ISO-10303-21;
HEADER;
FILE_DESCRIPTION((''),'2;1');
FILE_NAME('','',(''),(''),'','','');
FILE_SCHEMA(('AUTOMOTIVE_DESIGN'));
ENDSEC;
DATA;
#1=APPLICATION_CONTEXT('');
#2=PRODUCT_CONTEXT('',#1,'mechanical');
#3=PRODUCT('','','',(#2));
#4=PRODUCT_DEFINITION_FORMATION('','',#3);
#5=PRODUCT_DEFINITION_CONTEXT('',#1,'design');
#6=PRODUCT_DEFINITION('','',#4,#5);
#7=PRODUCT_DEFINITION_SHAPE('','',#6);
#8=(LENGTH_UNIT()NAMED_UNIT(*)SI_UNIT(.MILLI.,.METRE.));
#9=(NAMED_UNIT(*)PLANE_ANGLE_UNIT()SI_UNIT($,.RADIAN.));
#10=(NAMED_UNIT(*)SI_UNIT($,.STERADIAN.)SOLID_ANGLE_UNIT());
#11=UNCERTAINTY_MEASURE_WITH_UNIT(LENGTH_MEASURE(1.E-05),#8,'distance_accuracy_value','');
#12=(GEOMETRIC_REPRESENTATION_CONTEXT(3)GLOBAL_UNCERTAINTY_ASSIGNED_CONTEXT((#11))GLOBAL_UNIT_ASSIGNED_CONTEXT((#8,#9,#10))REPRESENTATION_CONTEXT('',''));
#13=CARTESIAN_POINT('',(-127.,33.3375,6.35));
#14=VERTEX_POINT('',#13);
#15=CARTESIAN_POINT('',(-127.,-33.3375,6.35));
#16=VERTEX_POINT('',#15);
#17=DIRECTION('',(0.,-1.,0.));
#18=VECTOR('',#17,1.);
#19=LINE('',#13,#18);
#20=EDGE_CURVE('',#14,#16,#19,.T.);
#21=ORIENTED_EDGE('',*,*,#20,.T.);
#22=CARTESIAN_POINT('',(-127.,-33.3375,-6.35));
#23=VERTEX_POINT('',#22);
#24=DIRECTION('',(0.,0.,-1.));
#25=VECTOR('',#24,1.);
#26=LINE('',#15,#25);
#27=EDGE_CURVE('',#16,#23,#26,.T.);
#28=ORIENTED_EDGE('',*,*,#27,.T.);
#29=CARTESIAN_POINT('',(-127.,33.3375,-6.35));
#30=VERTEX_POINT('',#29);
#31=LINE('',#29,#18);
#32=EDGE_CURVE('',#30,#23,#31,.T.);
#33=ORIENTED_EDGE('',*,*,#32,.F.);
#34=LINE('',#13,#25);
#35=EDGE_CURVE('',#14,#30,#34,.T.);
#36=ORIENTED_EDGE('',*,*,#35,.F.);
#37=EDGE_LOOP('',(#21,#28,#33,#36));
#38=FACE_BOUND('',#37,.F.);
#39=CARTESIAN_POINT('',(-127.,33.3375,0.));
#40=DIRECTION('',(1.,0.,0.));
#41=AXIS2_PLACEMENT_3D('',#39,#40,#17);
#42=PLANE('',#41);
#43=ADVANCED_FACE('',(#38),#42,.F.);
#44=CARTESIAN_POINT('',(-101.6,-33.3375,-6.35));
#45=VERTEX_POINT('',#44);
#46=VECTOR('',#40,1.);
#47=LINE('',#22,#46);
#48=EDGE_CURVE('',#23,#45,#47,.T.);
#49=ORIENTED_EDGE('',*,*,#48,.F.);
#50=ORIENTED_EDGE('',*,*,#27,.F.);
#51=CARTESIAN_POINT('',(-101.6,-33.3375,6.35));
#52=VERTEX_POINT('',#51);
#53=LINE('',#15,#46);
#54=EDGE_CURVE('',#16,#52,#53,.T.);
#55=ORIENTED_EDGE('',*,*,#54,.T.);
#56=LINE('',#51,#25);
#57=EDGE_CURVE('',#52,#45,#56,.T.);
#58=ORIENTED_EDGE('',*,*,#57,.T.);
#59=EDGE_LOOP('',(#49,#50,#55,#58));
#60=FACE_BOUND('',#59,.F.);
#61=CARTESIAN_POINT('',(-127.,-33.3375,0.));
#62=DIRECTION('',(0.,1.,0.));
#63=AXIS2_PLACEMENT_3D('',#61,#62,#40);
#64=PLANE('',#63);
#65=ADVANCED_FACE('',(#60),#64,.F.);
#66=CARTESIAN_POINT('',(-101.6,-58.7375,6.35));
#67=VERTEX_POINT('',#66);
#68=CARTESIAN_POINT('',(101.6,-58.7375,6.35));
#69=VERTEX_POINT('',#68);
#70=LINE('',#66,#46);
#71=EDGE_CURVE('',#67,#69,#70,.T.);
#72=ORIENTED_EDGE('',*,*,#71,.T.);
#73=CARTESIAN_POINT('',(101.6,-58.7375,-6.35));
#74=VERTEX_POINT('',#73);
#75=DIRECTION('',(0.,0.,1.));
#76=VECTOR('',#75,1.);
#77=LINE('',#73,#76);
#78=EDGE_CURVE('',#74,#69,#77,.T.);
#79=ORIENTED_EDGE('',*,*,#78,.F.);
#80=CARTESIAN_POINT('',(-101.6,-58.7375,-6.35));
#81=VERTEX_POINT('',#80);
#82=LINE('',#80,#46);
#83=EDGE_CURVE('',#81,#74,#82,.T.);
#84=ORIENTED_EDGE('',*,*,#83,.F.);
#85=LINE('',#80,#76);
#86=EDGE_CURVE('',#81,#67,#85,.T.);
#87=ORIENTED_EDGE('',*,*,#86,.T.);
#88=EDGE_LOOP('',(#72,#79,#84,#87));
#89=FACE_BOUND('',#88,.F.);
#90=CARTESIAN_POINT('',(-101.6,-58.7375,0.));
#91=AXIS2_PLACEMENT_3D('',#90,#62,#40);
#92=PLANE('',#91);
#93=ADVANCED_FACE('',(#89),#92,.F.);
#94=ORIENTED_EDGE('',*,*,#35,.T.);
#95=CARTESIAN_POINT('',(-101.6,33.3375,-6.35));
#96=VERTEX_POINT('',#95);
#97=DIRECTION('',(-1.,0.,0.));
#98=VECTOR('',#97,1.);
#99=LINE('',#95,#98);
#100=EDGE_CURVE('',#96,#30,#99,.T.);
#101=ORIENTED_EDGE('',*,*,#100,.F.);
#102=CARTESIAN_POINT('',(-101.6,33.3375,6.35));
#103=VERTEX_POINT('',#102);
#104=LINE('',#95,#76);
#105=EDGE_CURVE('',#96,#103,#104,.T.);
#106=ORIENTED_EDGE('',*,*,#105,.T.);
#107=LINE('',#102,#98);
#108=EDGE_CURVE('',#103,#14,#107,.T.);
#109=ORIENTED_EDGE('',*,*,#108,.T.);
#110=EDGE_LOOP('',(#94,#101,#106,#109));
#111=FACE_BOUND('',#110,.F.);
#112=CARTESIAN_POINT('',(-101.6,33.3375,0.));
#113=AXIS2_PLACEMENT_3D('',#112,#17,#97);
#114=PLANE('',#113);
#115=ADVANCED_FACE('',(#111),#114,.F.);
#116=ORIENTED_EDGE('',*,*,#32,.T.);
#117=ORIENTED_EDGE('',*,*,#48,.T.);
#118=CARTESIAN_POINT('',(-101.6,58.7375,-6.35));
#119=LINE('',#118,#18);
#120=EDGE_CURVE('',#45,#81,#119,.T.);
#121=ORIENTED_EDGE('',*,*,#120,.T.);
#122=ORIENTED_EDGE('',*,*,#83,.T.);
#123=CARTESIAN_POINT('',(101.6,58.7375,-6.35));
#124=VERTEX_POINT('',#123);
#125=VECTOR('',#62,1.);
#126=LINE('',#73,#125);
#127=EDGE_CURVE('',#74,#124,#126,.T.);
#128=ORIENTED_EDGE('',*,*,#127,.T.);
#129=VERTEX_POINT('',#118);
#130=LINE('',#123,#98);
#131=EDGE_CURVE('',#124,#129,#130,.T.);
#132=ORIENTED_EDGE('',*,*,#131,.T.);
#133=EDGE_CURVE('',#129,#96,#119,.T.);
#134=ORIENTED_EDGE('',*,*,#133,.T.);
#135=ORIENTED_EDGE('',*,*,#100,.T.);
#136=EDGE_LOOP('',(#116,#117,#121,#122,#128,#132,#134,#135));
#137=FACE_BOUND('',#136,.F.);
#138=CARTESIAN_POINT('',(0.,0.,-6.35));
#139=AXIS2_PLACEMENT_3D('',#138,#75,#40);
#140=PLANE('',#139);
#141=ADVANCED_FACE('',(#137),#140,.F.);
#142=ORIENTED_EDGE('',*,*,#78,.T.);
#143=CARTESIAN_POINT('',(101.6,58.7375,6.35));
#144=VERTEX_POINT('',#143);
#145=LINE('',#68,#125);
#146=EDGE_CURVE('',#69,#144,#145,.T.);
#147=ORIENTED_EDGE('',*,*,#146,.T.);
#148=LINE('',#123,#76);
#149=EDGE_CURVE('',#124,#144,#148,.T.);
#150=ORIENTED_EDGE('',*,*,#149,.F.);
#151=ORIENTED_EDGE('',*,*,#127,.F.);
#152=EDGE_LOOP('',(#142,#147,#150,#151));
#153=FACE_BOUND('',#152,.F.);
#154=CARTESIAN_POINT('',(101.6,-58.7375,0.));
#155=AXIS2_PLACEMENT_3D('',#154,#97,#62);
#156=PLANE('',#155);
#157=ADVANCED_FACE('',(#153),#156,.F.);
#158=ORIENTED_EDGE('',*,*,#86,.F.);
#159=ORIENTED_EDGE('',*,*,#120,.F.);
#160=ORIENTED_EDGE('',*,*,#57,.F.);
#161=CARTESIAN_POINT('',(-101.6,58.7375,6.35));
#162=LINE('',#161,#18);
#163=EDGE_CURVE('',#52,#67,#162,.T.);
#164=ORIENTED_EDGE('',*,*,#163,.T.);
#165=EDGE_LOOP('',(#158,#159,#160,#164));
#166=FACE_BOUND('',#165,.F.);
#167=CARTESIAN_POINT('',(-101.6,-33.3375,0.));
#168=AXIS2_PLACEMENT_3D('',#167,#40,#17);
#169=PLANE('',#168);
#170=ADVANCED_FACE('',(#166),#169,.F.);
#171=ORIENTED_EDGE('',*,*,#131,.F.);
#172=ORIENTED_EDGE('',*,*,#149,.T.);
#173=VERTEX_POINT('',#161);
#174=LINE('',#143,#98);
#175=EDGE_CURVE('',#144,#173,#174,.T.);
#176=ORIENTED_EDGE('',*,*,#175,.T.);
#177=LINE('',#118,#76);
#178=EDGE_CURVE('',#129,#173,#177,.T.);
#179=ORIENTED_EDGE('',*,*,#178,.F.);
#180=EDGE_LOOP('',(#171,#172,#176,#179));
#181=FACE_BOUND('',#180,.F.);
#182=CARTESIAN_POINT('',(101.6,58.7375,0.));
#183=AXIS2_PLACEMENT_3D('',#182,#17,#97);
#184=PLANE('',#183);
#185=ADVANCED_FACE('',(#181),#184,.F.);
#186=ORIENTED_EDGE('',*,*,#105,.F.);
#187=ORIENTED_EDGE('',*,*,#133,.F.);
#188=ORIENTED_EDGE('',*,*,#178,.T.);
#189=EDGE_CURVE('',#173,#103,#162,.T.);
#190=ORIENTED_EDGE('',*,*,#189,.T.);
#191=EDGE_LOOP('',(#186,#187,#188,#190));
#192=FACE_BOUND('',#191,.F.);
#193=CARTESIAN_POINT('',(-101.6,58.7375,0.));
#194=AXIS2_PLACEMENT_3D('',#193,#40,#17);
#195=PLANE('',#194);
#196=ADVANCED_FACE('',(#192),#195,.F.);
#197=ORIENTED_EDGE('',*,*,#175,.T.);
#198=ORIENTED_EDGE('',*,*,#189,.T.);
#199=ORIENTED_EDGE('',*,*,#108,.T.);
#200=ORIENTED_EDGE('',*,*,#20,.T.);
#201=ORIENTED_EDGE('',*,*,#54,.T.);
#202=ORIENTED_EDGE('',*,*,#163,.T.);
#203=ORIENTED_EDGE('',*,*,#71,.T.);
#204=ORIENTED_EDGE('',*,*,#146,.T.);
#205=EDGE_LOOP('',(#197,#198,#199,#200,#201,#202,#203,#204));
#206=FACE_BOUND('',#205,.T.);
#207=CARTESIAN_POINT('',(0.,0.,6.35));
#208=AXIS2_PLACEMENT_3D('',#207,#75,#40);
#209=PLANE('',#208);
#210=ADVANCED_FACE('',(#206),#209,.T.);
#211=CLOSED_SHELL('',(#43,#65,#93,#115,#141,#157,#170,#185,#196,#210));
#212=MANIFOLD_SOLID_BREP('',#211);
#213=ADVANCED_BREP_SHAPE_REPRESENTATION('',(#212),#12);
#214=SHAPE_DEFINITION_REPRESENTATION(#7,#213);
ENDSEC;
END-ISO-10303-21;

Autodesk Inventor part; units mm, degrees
ref_plane "YZ Plane" through (0, 0, 0) normal (1, 0, 0) x (0, 1, 0)
ref_plane "XZ Plane" through (0, 0, 0) normal (0, 1, 0) x (-1, 0, 0)
ref_plane "XY Plane" through (0, 0, 0) normal (0, 0, 1) x (1, 0, 0)
sketch "Sketch1" plane through (0, 0, 0) normal (0, 0, 1) x (1, 0, 0)
  line L0 (-101.6, -58.7375) -> (101.6, -58.7375)
  line L1 (101.6, -58.7375) -> (101.6, 58.7375)
  line L2 (101.6, 58.7375) -> (-101.6, 58.7375)
  line L3 (-101.6, 58.7375) -> (-101.6, -58.7375)
  line L4 (-101.6, -58.7375) -> (101.6, 58.7375) construction
  line L5 (101.6, -58.7375) -> (-101.6, 58.7375) construction
  line L6 (-101.6, -33.3375) -> (-101.6, 33.3375)
  line L7 (-101.6, 33.3375) -> (-127, 33.3375)
  line L8 (-127, 33.3375) -> (-127, -33.3375)
  line L9 (-127, -33.3375) -> (-101.6, -33.3375)
  point P0 (0, 0)
  dimension "d0" = 203.2
  dimension "d1" = 117.475
  dimension "d2" = 25.4
  dimension "d3" = 25.4
  dimension "d4" = 25.4
extrude "Extrusion1" add sketch "Sketch1" along normal mid plane 12.7
properties part number "1214_Gantry Support Rib_V1" material "GFRP"
